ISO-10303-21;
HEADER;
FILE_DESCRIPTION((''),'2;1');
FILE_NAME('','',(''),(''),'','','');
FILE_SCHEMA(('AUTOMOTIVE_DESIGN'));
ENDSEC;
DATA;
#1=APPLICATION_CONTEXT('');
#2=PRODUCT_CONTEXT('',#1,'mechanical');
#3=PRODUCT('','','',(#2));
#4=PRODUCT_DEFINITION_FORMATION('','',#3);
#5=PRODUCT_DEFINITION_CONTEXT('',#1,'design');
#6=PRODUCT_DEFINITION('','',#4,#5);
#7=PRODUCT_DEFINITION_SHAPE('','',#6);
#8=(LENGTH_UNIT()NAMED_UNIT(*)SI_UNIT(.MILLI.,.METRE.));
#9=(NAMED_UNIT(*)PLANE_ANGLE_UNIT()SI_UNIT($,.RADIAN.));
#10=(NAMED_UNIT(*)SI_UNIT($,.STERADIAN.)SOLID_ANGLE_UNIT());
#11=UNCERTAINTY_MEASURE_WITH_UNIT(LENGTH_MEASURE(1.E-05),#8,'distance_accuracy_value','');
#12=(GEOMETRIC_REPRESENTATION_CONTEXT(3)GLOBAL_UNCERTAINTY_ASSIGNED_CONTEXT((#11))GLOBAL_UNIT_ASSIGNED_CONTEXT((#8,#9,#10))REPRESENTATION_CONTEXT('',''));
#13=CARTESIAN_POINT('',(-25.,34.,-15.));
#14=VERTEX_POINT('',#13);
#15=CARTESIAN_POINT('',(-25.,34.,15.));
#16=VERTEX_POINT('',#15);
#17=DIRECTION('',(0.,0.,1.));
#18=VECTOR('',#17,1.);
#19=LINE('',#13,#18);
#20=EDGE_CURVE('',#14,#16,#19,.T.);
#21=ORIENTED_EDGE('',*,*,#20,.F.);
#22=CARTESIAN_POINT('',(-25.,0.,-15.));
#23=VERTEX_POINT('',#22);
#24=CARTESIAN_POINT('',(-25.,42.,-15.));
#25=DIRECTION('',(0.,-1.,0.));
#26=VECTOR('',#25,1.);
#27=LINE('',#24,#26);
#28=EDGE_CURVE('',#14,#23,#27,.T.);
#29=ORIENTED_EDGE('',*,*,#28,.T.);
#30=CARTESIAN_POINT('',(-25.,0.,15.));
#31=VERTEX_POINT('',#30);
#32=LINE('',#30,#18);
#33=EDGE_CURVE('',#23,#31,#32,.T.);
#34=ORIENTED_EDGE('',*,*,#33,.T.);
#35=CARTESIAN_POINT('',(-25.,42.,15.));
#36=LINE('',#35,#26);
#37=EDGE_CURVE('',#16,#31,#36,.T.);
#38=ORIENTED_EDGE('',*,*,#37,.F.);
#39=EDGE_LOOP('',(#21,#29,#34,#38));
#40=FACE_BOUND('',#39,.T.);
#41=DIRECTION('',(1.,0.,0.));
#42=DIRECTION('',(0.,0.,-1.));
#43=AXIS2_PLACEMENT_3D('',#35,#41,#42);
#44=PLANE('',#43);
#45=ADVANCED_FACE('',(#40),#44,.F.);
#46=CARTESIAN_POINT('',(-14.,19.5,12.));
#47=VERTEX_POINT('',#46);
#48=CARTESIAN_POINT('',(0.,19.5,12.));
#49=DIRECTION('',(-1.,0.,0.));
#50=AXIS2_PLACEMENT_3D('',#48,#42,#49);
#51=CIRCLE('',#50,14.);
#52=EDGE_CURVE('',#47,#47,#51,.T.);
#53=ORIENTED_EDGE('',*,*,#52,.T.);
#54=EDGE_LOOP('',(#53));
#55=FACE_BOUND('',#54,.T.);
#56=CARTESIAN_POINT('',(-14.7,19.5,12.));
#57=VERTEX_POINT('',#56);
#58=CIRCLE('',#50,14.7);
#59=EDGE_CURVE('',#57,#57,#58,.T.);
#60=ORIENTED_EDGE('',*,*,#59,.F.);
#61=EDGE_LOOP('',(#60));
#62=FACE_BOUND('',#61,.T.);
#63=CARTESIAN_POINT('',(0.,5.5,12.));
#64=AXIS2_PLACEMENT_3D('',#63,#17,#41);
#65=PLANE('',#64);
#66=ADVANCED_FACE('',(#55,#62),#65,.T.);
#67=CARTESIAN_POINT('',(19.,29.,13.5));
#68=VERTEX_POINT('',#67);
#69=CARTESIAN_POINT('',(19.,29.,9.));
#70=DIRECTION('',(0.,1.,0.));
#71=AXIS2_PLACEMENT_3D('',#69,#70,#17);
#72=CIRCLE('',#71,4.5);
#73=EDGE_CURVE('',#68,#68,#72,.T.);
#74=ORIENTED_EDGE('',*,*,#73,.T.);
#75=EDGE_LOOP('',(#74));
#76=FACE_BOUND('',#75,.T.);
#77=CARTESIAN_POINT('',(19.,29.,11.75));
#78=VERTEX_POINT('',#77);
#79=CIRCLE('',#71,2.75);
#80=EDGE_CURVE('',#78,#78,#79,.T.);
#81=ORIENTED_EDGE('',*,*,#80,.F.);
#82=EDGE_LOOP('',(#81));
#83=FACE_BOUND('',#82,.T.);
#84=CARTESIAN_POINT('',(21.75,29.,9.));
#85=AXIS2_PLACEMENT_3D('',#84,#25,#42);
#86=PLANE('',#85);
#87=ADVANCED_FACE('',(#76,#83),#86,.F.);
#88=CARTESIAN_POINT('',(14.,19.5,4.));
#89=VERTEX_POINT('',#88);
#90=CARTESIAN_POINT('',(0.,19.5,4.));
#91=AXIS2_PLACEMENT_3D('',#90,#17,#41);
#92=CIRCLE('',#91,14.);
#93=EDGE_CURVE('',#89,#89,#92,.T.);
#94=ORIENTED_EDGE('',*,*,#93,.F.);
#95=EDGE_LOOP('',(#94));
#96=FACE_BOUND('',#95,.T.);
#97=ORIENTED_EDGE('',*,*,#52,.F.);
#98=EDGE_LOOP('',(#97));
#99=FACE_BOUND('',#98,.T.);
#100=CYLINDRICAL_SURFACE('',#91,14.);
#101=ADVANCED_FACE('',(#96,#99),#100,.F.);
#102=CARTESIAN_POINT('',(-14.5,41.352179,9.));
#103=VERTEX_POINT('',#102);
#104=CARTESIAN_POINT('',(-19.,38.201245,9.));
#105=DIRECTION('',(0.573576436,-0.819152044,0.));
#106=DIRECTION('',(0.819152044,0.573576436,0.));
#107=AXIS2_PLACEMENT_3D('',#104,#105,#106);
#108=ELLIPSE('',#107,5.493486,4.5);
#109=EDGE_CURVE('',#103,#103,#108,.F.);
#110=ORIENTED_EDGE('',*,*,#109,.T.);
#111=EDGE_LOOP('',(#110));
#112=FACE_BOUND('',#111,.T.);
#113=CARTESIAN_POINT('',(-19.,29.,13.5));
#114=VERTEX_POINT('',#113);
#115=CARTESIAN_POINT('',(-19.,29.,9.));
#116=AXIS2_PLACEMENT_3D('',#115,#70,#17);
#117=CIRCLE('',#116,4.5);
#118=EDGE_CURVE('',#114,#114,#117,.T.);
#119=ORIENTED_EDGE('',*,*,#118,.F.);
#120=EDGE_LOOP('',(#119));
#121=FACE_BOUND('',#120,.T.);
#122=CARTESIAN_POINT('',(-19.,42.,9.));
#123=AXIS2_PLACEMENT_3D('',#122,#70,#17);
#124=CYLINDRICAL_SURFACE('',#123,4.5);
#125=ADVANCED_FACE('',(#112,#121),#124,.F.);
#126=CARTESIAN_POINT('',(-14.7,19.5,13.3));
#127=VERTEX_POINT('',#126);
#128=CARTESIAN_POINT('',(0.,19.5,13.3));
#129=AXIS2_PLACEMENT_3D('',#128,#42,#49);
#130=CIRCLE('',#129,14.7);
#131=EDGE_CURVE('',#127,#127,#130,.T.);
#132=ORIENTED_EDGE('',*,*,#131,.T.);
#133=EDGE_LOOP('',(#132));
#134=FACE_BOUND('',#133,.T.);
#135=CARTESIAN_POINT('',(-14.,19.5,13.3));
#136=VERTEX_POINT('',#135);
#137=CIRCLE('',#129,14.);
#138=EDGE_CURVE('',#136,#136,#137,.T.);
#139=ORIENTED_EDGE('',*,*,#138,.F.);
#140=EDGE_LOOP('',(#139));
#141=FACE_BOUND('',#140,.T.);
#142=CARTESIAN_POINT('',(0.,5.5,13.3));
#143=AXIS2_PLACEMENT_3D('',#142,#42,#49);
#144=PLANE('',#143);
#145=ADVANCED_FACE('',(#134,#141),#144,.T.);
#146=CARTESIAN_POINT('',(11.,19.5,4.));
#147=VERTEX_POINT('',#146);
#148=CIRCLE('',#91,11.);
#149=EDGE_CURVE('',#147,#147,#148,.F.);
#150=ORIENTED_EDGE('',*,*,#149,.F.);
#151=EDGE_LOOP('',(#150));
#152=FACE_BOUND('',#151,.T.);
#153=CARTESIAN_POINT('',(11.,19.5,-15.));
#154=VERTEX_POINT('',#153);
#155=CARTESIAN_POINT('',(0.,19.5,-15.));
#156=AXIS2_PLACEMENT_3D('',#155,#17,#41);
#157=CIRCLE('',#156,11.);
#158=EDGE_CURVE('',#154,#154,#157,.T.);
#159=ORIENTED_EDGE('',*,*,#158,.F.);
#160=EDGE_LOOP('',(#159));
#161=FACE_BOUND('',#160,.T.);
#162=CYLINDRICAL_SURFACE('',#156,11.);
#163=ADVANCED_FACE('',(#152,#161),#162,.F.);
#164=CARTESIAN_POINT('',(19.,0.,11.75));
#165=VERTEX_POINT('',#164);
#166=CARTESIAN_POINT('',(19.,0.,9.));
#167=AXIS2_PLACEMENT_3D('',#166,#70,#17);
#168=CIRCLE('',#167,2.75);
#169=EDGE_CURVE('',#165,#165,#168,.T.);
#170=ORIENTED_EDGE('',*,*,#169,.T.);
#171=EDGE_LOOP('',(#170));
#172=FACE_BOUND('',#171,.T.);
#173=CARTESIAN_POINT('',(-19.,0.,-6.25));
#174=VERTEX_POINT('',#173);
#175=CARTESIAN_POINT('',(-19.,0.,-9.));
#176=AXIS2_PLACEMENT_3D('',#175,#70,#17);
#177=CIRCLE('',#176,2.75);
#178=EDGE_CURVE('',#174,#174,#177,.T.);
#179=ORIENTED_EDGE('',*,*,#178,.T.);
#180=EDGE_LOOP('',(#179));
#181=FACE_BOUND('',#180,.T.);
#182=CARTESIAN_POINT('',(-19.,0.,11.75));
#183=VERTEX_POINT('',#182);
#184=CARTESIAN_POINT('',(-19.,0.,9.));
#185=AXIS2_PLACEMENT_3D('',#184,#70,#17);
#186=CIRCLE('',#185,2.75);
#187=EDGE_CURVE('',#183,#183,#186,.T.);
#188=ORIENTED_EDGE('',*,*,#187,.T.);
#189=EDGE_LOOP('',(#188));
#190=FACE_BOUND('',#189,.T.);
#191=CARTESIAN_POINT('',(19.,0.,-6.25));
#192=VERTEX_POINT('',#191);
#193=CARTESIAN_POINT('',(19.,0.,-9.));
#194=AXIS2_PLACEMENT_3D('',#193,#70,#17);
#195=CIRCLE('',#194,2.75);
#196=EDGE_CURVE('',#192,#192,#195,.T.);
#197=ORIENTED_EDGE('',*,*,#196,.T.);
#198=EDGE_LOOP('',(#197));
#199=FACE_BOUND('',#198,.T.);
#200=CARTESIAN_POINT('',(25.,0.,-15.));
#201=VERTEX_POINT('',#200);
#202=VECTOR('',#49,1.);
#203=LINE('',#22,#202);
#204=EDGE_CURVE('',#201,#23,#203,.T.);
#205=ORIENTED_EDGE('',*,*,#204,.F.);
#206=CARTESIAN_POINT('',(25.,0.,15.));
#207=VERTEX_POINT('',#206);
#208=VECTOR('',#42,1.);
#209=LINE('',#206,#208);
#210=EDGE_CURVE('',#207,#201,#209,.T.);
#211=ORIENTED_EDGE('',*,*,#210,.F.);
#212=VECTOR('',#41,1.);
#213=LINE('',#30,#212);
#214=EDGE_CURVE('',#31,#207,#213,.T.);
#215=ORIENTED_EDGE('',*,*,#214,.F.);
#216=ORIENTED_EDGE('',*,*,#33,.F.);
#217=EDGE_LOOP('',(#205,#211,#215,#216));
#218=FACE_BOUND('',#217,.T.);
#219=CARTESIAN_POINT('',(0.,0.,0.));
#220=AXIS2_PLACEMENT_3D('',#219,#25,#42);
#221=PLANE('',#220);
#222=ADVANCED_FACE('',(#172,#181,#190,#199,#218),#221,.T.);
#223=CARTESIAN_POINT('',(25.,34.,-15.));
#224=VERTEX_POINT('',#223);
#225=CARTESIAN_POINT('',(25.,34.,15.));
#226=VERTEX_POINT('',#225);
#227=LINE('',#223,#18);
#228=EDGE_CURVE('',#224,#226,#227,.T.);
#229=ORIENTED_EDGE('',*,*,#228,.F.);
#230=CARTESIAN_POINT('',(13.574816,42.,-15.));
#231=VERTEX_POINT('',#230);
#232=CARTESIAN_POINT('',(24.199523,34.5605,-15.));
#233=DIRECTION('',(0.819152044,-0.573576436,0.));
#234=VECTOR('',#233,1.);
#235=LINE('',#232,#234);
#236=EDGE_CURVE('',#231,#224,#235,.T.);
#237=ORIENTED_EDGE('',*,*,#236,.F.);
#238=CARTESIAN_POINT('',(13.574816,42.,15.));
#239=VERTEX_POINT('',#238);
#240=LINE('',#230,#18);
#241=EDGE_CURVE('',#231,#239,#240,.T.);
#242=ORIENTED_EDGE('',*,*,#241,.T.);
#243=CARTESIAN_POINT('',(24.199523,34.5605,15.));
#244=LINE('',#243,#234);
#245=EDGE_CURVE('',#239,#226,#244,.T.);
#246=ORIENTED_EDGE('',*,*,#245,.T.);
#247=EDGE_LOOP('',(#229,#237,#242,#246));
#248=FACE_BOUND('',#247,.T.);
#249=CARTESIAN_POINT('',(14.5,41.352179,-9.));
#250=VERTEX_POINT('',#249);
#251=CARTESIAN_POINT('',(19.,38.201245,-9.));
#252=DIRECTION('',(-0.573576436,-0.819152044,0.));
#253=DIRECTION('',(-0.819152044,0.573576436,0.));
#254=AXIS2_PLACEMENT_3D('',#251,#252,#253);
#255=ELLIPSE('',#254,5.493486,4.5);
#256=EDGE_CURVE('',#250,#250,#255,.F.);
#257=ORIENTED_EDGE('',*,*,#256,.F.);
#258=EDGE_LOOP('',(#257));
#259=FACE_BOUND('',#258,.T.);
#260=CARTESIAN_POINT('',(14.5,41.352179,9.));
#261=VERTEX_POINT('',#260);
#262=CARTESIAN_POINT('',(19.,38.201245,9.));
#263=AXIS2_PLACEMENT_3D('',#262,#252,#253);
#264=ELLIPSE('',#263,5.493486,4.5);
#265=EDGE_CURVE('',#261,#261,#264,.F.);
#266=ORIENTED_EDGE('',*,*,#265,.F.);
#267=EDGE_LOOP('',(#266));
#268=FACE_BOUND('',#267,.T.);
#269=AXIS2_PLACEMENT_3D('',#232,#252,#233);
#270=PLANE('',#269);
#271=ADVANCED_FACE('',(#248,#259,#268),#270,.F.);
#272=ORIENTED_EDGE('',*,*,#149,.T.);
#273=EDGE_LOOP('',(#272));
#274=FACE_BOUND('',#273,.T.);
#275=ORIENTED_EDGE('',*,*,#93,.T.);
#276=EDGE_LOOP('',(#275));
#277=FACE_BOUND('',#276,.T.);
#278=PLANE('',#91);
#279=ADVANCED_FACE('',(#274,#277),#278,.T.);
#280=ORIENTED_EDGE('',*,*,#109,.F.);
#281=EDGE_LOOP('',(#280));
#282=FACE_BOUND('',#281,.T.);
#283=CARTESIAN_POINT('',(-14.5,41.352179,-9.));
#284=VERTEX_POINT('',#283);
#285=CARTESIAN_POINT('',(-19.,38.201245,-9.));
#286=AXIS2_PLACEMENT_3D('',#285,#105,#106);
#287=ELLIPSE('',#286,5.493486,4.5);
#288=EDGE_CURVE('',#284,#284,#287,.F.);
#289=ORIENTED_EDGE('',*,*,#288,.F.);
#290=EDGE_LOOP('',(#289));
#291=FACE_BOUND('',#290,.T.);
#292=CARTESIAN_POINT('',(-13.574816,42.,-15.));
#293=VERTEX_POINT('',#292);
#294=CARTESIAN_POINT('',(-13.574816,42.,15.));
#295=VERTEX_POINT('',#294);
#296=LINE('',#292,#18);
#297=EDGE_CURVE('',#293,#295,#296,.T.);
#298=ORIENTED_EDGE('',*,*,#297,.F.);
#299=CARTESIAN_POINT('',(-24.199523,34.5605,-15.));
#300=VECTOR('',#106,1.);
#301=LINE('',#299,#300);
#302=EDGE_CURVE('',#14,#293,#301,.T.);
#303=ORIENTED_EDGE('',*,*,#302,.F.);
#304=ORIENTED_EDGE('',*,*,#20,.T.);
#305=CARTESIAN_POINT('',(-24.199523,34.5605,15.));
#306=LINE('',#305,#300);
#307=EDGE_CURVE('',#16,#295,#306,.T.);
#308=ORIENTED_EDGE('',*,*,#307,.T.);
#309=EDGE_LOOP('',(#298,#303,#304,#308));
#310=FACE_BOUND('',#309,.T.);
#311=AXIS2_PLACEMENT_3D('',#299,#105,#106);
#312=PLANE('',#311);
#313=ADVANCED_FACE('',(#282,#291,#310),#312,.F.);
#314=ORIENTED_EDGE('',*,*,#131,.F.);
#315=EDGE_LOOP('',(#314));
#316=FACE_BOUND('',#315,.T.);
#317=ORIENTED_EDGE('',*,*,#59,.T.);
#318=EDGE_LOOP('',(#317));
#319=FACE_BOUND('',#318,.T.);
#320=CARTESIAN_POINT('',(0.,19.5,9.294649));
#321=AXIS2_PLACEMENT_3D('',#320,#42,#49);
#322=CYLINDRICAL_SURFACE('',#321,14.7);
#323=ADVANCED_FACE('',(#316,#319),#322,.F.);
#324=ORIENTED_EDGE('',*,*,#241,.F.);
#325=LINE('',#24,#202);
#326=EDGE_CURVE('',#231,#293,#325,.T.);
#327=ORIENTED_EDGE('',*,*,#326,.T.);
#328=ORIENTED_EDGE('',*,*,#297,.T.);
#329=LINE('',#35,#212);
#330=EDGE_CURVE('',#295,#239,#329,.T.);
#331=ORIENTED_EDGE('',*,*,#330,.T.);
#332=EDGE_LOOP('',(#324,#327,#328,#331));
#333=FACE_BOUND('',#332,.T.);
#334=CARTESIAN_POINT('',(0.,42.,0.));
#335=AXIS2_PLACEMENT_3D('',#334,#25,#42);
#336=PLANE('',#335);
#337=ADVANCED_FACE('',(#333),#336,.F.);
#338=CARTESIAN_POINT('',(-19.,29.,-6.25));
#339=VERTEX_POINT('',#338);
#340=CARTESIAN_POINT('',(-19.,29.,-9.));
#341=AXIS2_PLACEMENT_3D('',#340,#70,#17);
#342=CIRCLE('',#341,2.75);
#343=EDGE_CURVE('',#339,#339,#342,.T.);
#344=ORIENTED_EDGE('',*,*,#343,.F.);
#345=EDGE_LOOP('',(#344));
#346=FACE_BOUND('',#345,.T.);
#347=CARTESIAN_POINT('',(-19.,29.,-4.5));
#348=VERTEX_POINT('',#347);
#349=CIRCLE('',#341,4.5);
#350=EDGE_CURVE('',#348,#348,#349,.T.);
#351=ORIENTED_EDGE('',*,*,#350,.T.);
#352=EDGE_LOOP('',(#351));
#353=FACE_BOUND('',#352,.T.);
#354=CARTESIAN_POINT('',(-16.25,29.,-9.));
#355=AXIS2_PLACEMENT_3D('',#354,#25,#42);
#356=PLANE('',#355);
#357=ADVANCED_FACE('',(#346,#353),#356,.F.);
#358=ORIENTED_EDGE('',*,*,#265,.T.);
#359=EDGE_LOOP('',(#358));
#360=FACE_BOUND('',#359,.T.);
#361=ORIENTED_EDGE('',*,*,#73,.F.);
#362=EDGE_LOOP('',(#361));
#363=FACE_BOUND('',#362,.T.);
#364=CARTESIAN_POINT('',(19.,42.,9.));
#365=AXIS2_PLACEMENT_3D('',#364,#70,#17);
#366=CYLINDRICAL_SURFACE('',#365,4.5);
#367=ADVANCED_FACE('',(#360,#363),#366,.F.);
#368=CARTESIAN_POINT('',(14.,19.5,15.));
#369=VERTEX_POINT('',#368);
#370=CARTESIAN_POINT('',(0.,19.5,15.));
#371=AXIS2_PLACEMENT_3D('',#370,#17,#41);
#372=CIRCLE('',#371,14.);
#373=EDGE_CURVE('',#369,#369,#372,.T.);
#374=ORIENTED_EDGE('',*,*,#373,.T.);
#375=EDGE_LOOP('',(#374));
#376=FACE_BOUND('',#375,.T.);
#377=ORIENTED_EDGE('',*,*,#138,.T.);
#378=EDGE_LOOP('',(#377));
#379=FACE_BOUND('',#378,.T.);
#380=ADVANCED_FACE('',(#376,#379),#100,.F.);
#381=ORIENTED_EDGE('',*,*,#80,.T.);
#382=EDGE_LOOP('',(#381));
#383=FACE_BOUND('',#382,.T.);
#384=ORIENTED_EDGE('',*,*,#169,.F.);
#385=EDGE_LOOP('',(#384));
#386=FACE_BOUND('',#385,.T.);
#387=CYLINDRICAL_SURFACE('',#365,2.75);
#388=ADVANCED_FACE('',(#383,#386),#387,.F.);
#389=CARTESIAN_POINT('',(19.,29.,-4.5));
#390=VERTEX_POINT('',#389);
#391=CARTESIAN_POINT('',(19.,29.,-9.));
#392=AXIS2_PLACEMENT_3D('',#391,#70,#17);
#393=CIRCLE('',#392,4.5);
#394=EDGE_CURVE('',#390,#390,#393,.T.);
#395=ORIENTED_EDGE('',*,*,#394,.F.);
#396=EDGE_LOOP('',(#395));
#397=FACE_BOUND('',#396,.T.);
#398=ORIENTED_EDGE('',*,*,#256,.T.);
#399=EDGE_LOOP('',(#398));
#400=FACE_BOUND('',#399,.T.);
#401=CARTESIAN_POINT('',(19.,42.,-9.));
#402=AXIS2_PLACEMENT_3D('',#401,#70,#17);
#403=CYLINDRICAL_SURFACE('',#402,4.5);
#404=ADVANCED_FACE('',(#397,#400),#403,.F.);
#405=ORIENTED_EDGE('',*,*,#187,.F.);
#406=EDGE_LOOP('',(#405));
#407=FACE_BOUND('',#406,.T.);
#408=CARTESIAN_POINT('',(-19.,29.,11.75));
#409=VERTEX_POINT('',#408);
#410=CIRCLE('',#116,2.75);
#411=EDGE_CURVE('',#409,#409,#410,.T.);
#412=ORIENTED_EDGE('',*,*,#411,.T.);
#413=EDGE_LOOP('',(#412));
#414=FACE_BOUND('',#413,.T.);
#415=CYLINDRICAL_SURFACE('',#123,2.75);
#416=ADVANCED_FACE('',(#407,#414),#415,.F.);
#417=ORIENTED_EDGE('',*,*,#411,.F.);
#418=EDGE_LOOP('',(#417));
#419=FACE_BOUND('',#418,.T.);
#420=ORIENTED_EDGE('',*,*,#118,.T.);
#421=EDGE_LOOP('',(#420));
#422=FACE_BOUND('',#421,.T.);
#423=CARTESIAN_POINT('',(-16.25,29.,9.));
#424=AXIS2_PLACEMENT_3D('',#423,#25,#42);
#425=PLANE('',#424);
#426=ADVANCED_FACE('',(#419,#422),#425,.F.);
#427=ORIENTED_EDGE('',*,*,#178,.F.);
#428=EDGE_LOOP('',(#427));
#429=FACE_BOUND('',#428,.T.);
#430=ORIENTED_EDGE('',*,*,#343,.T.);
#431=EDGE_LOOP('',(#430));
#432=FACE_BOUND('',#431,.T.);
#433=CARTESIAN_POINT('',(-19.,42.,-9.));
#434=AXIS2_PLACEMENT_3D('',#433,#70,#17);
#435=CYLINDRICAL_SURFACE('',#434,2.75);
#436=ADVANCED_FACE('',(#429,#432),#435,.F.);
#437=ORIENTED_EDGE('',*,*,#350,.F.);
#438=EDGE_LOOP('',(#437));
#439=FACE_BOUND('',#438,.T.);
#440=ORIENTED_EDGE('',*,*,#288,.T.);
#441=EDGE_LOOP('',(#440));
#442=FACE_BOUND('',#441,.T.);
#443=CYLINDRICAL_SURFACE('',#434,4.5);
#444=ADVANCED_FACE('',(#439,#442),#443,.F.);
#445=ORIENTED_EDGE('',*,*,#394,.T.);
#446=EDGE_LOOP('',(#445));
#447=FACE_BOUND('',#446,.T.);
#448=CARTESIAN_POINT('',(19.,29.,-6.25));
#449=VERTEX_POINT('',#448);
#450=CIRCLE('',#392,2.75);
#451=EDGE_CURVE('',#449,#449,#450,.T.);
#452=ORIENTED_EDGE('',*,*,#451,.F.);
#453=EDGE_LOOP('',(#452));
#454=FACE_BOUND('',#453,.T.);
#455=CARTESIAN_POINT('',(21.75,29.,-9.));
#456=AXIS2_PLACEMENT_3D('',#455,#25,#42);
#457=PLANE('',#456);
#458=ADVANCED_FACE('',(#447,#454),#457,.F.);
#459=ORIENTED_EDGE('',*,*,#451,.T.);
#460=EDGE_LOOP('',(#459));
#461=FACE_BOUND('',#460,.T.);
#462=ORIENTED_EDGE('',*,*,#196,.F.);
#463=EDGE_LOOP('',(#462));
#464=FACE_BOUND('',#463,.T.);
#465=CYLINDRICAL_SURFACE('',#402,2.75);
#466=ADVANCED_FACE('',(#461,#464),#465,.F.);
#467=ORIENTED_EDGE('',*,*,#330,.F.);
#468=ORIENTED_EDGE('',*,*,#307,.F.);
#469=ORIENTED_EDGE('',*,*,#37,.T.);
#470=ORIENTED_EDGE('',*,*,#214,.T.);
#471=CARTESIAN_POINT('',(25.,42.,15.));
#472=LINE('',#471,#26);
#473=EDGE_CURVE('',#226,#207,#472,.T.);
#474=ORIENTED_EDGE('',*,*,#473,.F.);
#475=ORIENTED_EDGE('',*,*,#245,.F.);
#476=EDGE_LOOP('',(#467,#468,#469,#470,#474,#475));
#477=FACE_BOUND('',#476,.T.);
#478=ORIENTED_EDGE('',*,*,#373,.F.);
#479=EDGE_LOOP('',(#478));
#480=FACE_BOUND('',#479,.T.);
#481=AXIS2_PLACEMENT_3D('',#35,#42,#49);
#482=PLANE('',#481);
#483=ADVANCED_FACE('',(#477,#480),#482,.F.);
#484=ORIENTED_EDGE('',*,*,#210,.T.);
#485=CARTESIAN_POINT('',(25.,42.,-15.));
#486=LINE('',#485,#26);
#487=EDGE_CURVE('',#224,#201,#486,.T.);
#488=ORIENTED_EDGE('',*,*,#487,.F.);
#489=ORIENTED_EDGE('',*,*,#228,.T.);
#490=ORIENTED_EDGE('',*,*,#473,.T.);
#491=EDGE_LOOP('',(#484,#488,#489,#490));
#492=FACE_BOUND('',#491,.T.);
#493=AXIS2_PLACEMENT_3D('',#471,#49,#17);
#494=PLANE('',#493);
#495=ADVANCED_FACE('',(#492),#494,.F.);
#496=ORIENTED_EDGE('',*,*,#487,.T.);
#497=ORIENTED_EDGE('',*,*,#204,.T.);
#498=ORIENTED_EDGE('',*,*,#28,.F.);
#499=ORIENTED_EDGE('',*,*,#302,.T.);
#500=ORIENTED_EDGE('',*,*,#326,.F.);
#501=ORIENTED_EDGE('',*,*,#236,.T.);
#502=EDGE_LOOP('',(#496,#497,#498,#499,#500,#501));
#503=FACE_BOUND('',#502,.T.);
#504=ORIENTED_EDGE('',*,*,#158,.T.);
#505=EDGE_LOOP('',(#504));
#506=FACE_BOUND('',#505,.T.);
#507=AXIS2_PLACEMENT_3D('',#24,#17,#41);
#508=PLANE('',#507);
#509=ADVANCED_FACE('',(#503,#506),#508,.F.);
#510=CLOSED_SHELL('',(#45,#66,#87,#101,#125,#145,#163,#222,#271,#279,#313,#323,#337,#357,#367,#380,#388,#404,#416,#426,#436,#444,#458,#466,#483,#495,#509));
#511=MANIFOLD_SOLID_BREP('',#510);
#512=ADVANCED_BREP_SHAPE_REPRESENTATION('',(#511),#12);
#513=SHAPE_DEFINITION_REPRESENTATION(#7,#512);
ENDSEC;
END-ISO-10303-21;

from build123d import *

# Parameters (mm, degrees)
SZKIC1_W                                             = 50
SZKIC1_H                                             = 30
DODANIE_WYCI_GNI_CIE1_DEPTH                          = 42
SZKIC3_R                                             = 11
WYTNIJ_WYCI_GNI_CIE2_DEPTH                           = 58.349803836
SZKIC4_R                                             = 14
WYTNIJ_WYCI_GNI_CIE3_DEPTH                           = 11
POG_BIENIE_WALCOWE_POD_M5_WKR_T_DO_CZ_CI_D           = 5.5
POG_BIENIE_WALCOWE_POD_M5_WKR_T_DO_CZ_CI_CBORE_D     = 9
POG_BIENIE_WALCOWE_POD_M5_WKR_T_DO_CZ_CI_CBORE_DEPTH = 13
SZKIC5_W                                             = 1.3
SZKIC5_H                                             = 0.7
WYTNIJ_WYCI_GNI_CIE5_DEPTH                           = 58.349803836


with BuildPart() as part:
    # Szkic1 → Dodanie-wyciągnięcie1 (new body)
    with BuildSketch(Plane(origin=(0, 0, 0), x_dir=(1, 0, 0), z_dir=(0, 1, 0))):
        Rectangle(SZKIC1_W, SZKIC1_H)
    extrude(amount=DODANIE_WYCI_GNI_CIE1_DEPTH)

    # Szkic3 → Wytnij-wyciągnięcie2 (cut, through all)
    with BuildSketch(Plane.XY.offset(15)):
        with Locations((0, 19.5)):
            Circle(SZKIC3_R)
    extrude(amount=-WYTNIJ_WYCI_GNI_CIE2_DEPTH, mode=Mode.SUBTRACT)

    # Szkic4 → Wytnij-wyciągnięcie3 (cut)
    with BuildSketch(Plane.XY.offset(15)):
        with Locations((0, 19.5)):
            Circle(SZKIC4_R)
    extrude(amount=-WYTNIJ_WYCI_GNI_CIE3_DEPTH, mode=Mode.SUBTRACT)

    # Pogłębienie walcowe pod M5 Wkręt do części metalowych z łbem sześciokątnym1 (through all)
    with Locations(Plane(origin=(0, 42, 0), x_dir=(1, 0, 0), z_dir=(0, 1, 0))):
        with Locations((19, 9), (19, -9), (-19, -9), (-19, 9)):
            CounterBoreHole(POG_BIENIE_WALCOWE_POD_M5_WKR_T_DO_CZ_CI_D / 2, POG_BIENIE_WALCOWE_POD_M5_WKR_T_DO_CZ_CI_CBORE_D / 2, POG_BIENIE_WALCOWE_POD_M5_WKR_T_DO_CZ_CI_CBORE_DEPTH)

    # Szkic5 → Wycięcie-obrót1 (revolve, cut)
    with BuildSketch(Plane(origin=(0, 0, 0), x_dir=(0, 0, -1), z_dir=(1, 0, 0)), mode=Mode.PRIVATE) as wyci_cie_obr_t1_sk:
        with Locations((-12.65, 5.15)):
            Rectangle(SZKIC5_W, SZKIC5_H)
    revolve(wyci_cie_obr_t1_sk.sketch.rotate(Axis((0, 19.5, 9.294649117), (0, 0, 1)), 90), axis=Axis((0, 19.5, 9.294649117), (0, 0, 1)), mode=Mode.SUBTRACT)

    # Szkic9 → Wytnij-wyciągnięcie5 (cut, through all)
    with BuildSketch(Plane.XY.offset(15)):
        Polygon((-25, 34), (-13.574815946, 42), (-25, 42), align=None)
        Polygon((25, 42), (13.574815946, 42), (25, 34), align=None)
    extrude(amount=-WYTNIJ_WYCI_GNI_CIE5_DEPTH, mode=Mode.SUBTRACT)


solid = part.part
